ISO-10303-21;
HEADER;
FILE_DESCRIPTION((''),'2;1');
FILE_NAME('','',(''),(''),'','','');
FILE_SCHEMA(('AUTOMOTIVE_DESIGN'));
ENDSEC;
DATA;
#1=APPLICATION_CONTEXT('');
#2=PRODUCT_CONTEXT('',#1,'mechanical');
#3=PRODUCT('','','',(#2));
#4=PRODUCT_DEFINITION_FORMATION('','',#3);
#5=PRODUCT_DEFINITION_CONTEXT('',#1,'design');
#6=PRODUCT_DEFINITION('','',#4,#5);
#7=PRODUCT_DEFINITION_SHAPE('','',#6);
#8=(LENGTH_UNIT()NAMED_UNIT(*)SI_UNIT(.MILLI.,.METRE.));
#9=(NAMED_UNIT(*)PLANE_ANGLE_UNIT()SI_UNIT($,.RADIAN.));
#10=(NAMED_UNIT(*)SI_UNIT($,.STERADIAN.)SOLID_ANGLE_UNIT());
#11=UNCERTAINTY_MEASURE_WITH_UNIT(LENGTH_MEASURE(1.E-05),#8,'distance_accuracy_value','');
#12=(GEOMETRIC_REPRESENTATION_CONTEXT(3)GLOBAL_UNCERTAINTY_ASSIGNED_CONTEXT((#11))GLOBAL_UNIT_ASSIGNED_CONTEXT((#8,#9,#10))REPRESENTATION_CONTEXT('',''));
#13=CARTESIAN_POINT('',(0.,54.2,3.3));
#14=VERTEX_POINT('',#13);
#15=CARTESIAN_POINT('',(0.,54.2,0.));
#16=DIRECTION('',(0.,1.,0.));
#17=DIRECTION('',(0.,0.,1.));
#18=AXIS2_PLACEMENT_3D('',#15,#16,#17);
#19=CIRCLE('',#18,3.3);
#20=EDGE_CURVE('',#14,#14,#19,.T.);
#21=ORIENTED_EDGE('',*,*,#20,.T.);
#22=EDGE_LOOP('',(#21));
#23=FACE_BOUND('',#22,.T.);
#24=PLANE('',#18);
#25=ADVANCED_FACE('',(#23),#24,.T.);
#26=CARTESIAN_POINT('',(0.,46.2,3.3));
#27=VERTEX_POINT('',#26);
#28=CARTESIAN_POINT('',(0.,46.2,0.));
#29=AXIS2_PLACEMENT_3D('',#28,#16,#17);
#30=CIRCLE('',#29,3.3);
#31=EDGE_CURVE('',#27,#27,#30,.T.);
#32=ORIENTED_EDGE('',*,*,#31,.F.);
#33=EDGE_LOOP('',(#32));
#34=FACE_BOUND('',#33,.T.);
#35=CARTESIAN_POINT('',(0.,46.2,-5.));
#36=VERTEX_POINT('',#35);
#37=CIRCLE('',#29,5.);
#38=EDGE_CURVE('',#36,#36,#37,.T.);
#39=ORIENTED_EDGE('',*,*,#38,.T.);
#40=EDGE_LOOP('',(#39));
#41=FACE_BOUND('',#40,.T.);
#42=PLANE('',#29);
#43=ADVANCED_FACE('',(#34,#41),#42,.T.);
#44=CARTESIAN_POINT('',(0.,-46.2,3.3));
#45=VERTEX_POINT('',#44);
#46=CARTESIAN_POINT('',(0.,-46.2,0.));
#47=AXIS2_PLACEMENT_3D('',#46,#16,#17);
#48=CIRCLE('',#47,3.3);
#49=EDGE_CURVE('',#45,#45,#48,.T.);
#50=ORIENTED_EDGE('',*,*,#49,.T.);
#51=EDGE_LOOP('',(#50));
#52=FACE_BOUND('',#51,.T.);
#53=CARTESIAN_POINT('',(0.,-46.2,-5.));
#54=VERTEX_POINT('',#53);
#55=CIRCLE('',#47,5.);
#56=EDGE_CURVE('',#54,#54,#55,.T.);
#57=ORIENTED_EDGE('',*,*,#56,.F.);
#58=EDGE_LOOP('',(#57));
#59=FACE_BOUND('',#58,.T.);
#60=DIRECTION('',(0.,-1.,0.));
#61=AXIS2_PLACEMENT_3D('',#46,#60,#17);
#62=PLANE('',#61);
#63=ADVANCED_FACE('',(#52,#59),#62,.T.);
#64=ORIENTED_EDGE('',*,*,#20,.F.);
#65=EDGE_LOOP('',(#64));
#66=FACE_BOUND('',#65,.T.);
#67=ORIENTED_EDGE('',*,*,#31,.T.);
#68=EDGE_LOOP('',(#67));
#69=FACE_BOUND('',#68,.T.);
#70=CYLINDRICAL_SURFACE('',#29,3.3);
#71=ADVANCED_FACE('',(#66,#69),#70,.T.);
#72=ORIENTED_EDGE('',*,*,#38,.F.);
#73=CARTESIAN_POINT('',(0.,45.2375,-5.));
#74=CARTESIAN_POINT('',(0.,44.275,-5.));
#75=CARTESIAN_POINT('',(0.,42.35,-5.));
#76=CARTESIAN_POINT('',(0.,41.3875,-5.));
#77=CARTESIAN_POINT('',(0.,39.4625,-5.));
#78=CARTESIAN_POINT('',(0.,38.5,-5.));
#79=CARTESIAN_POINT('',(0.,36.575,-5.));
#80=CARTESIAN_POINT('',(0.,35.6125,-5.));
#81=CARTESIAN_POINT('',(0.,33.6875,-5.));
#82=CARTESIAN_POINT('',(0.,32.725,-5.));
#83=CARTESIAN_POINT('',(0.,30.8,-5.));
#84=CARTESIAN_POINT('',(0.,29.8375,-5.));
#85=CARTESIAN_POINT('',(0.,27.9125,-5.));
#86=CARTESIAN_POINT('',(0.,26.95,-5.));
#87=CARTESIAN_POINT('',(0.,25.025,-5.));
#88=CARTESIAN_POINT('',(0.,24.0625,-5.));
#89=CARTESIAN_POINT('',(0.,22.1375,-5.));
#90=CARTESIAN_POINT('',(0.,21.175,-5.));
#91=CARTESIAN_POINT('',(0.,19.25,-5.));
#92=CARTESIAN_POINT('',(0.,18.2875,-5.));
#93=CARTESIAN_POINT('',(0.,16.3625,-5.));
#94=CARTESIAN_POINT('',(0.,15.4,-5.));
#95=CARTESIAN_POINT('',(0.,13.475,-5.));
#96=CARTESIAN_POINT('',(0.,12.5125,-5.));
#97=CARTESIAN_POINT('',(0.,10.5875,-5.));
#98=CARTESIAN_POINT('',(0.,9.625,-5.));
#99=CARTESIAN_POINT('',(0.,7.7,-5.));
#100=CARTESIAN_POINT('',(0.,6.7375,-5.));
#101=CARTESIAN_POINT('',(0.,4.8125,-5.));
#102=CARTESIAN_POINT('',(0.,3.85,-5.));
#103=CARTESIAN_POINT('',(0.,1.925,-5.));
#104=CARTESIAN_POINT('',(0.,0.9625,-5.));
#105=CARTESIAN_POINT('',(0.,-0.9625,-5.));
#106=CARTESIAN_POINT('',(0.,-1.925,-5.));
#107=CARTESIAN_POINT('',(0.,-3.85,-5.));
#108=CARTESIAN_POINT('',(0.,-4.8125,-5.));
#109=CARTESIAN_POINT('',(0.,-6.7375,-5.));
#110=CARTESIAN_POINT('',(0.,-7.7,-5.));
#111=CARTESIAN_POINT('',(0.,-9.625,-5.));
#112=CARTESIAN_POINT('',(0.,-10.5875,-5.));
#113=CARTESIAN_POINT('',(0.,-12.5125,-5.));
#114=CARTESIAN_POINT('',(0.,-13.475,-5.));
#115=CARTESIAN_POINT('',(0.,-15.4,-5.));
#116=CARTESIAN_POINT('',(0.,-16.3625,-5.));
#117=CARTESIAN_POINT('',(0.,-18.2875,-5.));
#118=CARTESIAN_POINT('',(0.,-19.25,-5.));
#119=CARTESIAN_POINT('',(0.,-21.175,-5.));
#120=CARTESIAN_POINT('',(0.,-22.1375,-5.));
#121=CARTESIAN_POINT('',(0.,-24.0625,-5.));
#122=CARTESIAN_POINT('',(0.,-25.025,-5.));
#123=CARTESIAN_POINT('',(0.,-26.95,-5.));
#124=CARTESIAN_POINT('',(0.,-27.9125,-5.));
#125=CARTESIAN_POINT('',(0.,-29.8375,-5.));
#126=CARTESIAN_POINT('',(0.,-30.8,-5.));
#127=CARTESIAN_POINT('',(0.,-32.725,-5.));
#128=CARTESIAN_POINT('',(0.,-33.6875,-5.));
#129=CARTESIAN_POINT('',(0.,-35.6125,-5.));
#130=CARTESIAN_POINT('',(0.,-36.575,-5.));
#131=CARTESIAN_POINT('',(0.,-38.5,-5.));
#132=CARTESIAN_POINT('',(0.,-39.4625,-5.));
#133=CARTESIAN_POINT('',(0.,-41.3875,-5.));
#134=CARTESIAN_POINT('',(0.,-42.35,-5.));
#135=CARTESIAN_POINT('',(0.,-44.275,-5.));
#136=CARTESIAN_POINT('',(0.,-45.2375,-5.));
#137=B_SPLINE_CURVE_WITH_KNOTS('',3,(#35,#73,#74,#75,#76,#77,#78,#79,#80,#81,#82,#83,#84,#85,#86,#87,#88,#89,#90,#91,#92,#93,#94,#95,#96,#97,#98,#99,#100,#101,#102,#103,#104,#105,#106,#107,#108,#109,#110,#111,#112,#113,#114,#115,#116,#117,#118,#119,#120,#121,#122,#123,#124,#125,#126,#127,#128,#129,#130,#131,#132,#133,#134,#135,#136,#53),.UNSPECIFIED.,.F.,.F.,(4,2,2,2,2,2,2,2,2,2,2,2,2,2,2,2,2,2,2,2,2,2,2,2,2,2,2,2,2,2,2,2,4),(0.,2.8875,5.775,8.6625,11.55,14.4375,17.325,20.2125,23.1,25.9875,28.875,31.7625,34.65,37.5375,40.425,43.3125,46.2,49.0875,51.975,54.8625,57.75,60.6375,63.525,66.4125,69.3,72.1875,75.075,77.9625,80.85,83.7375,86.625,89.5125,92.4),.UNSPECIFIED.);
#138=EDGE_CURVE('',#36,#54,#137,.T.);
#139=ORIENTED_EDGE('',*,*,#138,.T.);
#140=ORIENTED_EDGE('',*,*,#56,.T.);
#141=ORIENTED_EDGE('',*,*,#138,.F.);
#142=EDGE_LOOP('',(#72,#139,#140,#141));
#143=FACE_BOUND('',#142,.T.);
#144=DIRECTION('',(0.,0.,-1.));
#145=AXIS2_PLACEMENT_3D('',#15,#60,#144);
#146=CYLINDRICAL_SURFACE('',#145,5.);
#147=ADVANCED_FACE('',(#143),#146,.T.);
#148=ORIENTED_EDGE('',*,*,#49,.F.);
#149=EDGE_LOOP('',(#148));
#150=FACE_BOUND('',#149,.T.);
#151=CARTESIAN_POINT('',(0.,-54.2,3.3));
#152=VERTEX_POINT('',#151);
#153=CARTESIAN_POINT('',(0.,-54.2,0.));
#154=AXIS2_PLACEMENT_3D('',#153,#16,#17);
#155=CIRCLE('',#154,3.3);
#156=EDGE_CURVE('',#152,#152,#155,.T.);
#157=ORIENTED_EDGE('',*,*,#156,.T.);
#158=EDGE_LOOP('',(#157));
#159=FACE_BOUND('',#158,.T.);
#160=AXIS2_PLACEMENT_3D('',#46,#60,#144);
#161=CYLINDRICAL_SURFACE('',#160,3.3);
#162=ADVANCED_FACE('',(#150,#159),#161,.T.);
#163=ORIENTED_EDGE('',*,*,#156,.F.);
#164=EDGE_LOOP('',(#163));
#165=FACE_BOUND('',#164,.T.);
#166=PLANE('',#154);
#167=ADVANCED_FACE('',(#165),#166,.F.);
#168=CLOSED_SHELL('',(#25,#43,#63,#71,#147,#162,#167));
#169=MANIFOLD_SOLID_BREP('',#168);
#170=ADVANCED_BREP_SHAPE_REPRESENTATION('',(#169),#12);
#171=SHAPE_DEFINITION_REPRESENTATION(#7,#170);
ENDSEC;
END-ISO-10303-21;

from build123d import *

# Parameters (mm, degrees)
ESBO_O1_R                = 5
RESSALTO_EXTRUS_O1_DEPTH = 54.2
ESBO_O2_R                = 5
ESBO_O2_R_2              = 3.3
CORTE_EXTRUS_O1_DEPTH    = 8


with BuildPart() as part:
    # Esboço1 → Ressalto-extrusão1 (new, symmetric)
    with BuildSketch(Plane(origin=(0, 0, 0), x_dir=(1, 0, 0), z_dir=(0, 1, 0))):
        with Locations(Location((0, 0, 0), (0, 0, 90))):
            Circle(ESBO_O1_R)
    extrude(amount=RESSALTO_EXTRUS_O1_DEPTH, both=True)

    # Esboço2 → Corte-extrusão1 (cut)
    with BuildSketch(Plane(origin=(0, 54.2, 0), x_dir=(1, 0, 0), z_dir=(0, 1, 0))):
        with Locations(Location((0, 0, 0), (0, 0, 90))):
            Circle(ESBO_O2_R)
        with Locations(Location((0, 0, 0), (0, 0, 270))):
            Circle(ESBO_O2_R_2, mode=Mode.SUBTRACT)
    corte_extrus_o1 = extrude(amount=-CORTE_EXTRUS_O1_DEPTH, mode=Mode.SUBTRACT)

    # Espelhar1: Corte-extrusão1 across plane
    add(corte_extrus_o1.mirror(Plane.ZX), mode=Mode.SUBTRACT)


solid = part.part
